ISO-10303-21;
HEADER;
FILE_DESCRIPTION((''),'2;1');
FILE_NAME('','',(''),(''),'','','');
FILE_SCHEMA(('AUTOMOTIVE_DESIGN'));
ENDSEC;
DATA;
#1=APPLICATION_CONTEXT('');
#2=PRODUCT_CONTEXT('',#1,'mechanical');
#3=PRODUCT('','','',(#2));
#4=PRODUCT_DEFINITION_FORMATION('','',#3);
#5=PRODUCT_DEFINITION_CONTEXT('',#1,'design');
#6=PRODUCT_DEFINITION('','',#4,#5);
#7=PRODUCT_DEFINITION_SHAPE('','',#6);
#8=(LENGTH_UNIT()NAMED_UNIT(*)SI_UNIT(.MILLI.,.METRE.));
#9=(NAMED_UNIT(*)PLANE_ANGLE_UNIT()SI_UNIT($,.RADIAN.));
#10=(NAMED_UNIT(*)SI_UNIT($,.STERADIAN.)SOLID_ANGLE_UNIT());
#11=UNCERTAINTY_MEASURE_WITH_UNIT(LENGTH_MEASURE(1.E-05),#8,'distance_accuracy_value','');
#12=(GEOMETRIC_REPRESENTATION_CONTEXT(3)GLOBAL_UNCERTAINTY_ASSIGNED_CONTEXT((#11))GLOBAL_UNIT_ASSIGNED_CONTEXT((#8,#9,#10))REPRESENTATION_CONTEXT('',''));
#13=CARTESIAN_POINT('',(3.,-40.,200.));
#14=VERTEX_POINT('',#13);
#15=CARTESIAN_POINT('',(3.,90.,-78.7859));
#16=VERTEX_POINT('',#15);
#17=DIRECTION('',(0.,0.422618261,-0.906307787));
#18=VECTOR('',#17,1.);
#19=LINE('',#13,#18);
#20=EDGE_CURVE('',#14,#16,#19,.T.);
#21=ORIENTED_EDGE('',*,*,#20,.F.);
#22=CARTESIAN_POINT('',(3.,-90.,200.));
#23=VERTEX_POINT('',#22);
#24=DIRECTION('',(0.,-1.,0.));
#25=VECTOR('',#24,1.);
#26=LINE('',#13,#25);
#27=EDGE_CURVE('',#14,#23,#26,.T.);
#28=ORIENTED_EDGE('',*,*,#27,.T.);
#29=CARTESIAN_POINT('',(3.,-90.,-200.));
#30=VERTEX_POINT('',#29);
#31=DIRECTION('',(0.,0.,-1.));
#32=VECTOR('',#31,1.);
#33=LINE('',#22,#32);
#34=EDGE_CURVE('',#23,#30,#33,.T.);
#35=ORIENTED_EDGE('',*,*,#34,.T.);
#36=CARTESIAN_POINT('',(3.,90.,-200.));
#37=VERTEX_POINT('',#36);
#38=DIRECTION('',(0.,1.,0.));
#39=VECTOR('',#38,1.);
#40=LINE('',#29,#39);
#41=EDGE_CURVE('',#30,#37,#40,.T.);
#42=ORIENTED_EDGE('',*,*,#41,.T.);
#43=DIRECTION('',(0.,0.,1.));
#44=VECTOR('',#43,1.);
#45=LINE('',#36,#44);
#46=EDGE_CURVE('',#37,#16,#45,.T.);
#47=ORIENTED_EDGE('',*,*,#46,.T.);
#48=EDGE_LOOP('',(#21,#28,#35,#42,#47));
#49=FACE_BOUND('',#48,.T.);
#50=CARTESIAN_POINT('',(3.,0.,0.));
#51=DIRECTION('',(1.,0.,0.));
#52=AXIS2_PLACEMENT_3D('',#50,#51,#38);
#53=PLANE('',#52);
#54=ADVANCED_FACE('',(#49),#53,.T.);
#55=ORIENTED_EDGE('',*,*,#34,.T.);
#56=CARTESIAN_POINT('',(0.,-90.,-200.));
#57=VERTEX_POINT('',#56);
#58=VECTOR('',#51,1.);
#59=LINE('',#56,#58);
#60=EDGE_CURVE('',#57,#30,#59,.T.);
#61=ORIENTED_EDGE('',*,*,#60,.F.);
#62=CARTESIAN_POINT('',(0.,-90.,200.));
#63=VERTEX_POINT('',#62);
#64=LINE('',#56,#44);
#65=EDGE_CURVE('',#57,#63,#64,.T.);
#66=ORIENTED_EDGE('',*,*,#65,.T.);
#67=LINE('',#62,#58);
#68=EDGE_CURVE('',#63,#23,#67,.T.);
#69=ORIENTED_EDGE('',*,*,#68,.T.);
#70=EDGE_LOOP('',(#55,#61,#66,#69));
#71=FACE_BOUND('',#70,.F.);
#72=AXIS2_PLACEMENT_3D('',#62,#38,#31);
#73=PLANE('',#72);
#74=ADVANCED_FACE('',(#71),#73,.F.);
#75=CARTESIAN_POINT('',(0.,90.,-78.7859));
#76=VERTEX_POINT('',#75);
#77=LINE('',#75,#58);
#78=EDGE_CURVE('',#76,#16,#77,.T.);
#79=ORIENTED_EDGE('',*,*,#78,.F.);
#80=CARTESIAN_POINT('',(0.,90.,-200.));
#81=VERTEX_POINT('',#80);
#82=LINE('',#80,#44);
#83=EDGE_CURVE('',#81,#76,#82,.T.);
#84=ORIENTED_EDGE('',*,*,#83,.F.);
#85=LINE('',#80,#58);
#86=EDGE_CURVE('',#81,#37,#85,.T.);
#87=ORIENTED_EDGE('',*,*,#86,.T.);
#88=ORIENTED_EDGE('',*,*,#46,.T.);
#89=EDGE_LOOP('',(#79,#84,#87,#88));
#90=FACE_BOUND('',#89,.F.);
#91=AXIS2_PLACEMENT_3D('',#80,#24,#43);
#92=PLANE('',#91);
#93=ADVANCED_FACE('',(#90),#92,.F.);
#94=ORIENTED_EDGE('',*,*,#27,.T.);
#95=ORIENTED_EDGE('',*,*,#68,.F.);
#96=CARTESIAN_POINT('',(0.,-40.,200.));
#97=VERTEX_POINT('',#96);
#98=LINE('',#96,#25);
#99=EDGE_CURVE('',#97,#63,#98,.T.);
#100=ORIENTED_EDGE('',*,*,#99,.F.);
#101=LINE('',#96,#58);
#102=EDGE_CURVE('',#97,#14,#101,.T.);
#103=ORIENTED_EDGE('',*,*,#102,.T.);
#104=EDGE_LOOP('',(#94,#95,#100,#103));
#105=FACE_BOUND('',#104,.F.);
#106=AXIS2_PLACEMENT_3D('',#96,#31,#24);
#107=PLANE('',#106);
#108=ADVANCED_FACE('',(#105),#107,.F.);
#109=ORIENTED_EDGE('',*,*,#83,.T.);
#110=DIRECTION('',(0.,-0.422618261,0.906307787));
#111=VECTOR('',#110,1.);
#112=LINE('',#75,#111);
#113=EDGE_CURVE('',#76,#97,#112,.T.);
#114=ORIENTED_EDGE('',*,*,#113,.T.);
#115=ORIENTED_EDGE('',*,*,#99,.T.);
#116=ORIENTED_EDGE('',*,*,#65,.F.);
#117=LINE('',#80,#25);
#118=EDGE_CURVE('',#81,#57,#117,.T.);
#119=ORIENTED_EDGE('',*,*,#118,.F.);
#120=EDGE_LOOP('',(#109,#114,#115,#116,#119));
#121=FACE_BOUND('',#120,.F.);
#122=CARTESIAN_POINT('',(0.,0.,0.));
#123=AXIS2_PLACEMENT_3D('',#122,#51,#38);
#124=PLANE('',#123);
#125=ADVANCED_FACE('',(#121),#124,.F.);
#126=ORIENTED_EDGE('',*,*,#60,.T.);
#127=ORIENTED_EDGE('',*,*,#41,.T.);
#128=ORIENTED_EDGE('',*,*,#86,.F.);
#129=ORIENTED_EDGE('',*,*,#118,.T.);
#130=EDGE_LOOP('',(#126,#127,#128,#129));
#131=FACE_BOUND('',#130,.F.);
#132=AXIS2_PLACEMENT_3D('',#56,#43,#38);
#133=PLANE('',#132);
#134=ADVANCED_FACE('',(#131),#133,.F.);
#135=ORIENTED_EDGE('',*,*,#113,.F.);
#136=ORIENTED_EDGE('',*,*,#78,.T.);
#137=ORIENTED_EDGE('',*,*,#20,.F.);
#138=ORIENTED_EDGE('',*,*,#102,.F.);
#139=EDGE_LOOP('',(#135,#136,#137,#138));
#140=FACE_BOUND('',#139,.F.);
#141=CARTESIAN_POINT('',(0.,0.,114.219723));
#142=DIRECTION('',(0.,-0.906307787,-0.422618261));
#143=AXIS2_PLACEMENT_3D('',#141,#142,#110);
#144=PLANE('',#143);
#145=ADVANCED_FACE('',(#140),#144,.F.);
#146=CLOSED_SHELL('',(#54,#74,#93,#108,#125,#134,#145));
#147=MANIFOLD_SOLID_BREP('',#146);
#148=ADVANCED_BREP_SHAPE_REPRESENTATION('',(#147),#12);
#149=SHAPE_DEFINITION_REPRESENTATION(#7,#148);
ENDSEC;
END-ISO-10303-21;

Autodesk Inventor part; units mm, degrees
ref_plane "YZ Plane" through (0, 0, 0) normal (1, 0, 0) x (0, 1, 0)
ref_plane "XZ Plane" through (0, 0, 0) normal (0, 1, 0) x (-1, 0, 0)
ref_plane "XY Plane" through (0, 0, 0) normal (0, 0, 1) x (1, 0, 0)
sketch "スケッチ1" plane through (0, 0, 0) normal (1, 0, 0) x (0, 1, 0)
  line L0 (-40, 200) -> (-90, 200)
  line L1 (-90, 200) -> (-90, -200)
  line L2 (-90, -200) -> (90, -200)
  line L3 (90, -200) -> (90, -78.7859)
  line L4 (90, -78.7859) -> (-40, 200)
  line L5 (-126, 0) -> (126, 0) projected
  line L6 (0, -280) -> (0, 280) projected
  point P0 (0, 0)
  point P1 (-90, 0)
  point P2 (0, -200)
  dimension "d0" = 400
  dimension "d1" = 50
  dimension "d2" = 180
  dimension "d3" = 25
extrude "押し出し1" add sketch "スケッチ1" along normal blind 3
properties part number "stay" material "アルミニウム 6061"
